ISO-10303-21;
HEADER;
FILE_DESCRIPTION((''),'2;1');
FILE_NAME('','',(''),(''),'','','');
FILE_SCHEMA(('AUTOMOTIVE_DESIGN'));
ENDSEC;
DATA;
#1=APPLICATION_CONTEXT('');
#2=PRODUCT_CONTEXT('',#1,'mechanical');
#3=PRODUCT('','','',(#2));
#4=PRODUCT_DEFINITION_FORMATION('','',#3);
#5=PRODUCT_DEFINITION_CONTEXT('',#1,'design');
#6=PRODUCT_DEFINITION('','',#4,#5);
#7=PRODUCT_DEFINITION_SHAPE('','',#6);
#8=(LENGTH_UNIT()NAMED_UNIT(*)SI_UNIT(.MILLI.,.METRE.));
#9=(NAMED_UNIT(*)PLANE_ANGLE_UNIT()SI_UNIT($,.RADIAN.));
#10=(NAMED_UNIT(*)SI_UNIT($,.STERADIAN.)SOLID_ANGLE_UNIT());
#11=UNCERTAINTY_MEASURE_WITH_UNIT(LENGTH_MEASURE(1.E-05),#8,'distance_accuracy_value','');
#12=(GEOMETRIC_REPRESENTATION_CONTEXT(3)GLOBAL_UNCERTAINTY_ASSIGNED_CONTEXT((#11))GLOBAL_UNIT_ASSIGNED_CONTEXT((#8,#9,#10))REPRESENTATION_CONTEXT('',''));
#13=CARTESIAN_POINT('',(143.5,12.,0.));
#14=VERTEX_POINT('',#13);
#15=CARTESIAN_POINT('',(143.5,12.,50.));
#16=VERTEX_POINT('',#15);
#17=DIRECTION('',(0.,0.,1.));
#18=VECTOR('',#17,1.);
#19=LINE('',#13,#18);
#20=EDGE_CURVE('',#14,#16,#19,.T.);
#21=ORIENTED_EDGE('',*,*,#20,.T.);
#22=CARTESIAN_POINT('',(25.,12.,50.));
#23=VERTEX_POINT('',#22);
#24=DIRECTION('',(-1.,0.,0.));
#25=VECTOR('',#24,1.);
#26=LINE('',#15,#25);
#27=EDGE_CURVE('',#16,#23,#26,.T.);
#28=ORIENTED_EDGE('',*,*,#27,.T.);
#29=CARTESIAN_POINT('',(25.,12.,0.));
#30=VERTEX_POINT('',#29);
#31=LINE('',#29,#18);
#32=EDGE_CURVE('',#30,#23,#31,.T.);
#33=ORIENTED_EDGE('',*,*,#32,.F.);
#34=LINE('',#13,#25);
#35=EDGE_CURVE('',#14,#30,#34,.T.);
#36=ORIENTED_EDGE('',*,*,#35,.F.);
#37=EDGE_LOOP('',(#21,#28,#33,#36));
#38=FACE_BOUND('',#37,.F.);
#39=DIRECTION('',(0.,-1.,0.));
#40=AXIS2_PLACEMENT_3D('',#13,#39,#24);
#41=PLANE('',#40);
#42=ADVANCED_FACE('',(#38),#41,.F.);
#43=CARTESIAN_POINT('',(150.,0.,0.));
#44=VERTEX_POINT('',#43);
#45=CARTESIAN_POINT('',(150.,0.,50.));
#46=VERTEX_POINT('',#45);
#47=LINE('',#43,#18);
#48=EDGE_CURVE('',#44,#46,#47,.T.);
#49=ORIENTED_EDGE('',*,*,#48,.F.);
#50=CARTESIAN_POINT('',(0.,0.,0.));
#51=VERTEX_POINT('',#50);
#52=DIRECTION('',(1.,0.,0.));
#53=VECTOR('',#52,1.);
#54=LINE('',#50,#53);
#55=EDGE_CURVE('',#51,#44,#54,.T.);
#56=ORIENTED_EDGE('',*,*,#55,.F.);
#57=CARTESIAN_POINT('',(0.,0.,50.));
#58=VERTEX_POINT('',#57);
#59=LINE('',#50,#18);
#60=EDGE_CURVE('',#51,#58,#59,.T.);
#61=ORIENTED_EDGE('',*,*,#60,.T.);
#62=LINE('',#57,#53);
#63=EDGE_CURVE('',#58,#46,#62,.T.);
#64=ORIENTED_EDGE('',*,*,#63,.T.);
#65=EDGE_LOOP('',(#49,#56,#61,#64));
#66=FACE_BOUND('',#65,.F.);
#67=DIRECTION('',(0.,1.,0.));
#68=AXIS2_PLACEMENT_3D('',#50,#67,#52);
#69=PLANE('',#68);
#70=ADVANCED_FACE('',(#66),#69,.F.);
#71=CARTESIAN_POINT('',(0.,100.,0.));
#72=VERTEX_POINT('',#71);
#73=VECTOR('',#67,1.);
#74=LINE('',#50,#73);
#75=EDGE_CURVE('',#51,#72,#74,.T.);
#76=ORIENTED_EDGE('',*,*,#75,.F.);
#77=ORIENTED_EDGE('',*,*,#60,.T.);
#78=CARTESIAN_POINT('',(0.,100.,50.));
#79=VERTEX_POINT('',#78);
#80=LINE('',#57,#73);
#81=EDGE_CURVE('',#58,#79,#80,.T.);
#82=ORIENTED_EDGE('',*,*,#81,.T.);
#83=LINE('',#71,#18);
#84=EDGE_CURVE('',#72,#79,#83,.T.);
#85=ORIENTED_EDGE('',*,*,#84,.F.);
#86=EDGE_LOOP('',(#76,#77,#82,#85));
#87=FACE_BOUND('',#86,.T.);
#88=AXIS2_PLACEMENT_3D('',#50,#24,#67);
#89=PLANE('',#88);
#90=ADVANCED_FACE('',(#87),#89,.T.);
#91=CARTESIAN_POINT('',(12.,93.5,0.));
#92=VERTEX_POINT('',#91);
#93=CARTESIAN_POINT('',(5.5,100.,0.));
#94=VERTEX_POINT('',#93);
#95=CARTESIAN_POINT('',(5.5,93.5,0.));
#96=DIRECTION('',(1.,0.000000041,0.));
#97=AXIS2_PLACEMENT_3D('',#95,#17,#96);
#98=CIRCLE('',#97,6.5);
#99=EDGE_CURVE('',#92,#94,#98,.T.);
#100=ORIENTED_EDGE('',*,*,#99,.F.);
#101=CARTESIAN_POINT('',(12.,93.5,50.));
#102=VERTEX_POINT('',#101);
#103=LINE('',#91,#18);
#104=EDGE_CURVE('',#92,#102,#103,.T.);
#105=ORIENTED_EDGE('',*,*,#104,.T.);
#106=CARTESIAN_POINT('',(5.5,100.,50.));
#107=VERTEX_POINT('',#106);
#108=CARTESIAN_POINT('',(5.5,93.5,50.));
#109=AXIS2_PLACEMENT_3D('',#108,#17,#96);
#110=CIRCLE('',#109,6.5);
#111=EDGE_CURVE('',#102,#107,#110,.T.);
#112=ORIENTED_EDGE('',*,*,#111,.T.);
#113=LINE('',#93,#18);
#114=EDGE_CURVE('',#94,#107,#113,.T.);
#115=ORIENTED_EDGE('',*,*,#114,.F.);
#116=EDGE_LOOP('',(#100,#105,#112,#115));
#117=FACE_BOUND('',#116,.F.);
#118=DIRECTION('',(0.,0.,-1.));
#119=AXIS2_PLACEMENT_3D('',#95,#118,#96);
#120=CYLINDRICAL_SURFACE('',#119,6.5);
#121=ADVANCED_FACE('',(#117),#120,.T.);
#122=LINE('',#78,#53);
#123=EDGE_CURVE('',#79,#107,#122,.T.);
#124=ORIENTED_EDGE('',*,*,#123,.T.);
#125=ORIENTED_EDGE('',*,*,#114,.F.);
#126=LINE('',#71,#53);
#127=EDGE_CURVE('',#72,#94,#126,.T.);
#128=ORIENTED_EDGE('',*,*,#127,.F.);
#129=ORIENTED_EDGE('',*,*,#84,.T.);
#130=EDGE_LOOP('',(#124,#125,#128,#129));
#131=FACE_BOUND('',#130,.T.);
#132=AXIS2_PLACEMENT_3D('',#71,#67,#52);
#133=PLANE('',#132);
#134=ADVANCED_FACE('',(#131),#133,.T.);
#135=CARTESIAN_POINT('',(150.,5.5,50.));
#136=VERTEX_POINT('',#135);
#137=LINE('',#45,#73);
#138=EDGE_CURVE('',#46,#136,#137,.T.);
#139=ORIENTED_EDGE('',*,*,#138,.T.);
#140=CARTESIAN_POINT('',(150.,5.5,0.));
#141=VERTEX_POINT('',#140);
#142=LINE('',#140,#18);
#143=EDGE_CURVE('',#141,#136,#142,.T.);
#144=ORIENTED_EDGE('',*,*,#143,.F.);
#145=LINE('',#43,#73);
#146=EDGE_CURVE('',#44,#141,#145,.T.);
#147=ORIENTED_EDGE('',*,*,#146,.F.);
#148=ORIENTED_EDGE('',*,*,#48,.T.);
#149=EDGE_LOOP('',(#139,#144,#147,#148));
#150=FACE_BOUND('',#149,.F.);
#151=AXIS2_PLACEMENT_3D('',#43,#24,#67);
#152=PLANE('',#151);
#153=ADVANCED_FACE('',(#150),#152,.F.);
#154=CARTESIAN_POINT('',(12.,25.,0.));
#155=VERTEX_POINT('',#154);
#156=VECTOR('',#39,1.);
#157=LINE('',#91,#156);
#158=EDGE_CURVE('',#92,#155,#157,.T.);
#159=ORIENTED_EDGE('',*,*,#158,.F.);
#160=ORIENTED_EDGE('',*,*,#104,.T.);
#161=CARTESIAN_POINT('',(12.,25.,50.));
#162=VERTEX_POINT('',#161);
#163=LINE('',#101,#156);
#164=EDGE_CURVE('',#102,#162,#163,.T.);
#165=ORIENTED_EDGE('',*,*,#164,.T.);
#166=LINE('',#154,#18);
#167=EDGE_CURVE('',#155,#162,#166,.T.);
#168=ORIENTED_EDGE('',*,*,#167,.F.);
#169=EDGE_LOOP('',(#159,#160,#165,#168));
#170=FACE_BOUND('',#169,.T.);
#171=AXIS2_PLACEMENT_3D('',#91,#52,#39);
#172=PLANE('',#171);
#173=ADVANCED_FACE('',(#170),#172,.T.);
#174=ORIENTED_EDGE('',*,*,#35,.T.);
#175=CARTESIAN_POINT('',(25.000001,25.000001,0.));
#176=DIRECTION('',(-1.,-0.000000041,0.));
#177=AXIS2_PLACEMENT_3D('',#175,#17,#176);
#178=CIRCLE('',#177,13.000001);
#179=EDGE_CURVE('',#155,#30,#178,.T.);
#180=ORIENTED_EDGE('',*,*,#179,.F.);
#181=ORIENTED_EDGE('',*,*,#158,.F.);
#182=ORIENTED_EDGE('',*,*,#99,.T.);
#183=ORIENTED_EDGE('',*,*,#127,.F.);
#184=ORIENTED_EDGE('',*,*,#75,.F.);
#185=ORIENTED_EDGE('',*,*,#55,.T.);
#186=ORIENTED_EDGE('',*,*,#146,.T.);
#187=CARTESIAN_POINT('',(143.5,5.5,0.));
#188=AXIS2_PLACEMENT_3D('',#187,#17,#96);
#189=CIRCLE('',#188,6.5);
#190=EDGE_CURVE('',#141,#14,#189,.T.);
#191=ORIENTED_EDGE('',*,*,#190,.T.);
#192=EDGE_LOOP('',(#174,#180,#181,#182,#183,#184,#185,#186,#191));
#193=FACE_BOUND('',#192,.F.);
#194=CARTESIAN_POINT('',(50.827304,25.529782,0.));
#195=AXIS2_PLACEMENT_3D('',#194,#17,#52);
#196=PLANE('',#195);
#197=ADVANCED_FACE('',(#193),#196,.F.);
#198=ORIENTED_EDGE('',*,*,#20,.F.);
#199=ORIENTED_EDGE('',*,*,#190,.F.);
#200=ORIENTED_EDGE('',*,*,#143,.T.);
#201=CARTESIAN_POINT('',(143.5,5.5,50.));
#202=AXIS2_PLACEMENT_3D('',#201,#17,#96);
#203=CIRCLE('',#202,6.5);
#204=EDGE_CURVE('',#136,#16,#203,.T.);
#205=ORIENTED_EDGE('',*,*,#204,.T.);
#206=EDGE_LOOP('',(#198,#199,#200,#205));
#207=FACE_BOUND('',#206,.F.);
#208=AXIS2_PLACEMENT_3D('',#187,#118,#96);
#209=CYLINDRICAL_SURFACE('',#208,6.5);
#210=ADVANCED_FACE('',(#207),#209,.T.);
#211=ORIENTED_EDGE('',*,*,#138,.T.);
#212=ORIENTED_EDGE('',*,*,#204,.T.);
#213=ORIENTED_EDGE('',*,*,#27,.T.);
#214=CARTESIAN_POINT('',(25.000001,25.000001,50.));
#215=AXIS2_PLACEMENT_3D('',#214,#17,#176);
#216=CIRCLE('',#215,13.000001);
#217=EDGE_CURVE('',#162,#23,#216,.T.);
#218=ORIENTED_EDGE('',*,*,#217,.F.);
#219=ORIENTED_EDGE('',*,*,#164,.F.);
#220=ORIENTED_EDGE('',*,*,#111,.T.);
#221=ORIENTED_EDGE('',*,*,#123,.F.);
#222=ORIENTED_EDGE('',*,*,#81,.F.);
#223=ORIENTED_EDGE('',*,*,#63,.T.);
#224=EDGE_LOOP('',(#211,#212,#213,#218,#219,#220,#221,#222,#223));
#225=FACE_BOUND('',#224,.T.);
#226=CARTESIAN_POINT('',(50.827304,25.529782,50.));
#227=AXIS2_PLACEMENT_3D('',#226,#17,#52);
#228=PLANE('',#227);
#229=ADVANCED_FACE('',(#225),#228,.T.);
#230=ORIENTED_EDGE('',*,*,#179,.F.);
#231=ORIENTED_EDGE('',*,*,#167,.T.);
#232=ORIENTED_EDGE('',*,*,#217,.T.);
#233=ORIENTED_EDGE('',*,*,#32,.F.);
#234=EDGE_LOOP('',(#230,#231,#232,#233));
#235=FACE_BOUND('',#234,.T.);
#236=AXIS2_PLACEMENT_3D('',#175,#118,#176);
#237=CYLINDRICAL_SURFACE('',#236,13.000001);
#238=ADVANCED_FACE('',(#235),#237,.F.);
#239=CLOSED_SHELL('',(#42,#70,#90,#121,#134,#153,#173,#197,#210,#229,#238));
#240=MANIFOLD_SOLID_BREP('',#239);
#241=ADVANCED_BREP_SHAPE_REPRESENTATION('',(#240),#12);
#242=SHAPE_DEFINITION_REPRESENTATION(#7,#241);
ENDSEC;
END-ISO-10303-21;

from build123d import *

# Parameters (mm, degrees)
EXTRUDE_DEPTH = 50


with BuildPart() as part:
    # Sketch → Extrude (new body)
    with BuildSketch(Plane.XY):
        with BuildLine():
            Line((0, 0), (150, 0))
            Line((150, 0), (150, 5.5))
            ThreePointArc((150, 5.5), (148.096194, 10.096194), (143.5, 12))
            Line((143.5, 12), (25, 12))
            ThreePointArc((12, 25), (15.807612, 15.807612), (25, 12))
            Line((12, 93.5), (12, 25))
            ThreePointArc((12, 93.5), (10.096194, 98.096194), (5.5, 100))
            Line((0, 100), (5.5, 100))
            Line((0, 0), (0, 100))
        make_face()
    extrude(amount=EXTRUDE_DEPTH)


solid = part.part
